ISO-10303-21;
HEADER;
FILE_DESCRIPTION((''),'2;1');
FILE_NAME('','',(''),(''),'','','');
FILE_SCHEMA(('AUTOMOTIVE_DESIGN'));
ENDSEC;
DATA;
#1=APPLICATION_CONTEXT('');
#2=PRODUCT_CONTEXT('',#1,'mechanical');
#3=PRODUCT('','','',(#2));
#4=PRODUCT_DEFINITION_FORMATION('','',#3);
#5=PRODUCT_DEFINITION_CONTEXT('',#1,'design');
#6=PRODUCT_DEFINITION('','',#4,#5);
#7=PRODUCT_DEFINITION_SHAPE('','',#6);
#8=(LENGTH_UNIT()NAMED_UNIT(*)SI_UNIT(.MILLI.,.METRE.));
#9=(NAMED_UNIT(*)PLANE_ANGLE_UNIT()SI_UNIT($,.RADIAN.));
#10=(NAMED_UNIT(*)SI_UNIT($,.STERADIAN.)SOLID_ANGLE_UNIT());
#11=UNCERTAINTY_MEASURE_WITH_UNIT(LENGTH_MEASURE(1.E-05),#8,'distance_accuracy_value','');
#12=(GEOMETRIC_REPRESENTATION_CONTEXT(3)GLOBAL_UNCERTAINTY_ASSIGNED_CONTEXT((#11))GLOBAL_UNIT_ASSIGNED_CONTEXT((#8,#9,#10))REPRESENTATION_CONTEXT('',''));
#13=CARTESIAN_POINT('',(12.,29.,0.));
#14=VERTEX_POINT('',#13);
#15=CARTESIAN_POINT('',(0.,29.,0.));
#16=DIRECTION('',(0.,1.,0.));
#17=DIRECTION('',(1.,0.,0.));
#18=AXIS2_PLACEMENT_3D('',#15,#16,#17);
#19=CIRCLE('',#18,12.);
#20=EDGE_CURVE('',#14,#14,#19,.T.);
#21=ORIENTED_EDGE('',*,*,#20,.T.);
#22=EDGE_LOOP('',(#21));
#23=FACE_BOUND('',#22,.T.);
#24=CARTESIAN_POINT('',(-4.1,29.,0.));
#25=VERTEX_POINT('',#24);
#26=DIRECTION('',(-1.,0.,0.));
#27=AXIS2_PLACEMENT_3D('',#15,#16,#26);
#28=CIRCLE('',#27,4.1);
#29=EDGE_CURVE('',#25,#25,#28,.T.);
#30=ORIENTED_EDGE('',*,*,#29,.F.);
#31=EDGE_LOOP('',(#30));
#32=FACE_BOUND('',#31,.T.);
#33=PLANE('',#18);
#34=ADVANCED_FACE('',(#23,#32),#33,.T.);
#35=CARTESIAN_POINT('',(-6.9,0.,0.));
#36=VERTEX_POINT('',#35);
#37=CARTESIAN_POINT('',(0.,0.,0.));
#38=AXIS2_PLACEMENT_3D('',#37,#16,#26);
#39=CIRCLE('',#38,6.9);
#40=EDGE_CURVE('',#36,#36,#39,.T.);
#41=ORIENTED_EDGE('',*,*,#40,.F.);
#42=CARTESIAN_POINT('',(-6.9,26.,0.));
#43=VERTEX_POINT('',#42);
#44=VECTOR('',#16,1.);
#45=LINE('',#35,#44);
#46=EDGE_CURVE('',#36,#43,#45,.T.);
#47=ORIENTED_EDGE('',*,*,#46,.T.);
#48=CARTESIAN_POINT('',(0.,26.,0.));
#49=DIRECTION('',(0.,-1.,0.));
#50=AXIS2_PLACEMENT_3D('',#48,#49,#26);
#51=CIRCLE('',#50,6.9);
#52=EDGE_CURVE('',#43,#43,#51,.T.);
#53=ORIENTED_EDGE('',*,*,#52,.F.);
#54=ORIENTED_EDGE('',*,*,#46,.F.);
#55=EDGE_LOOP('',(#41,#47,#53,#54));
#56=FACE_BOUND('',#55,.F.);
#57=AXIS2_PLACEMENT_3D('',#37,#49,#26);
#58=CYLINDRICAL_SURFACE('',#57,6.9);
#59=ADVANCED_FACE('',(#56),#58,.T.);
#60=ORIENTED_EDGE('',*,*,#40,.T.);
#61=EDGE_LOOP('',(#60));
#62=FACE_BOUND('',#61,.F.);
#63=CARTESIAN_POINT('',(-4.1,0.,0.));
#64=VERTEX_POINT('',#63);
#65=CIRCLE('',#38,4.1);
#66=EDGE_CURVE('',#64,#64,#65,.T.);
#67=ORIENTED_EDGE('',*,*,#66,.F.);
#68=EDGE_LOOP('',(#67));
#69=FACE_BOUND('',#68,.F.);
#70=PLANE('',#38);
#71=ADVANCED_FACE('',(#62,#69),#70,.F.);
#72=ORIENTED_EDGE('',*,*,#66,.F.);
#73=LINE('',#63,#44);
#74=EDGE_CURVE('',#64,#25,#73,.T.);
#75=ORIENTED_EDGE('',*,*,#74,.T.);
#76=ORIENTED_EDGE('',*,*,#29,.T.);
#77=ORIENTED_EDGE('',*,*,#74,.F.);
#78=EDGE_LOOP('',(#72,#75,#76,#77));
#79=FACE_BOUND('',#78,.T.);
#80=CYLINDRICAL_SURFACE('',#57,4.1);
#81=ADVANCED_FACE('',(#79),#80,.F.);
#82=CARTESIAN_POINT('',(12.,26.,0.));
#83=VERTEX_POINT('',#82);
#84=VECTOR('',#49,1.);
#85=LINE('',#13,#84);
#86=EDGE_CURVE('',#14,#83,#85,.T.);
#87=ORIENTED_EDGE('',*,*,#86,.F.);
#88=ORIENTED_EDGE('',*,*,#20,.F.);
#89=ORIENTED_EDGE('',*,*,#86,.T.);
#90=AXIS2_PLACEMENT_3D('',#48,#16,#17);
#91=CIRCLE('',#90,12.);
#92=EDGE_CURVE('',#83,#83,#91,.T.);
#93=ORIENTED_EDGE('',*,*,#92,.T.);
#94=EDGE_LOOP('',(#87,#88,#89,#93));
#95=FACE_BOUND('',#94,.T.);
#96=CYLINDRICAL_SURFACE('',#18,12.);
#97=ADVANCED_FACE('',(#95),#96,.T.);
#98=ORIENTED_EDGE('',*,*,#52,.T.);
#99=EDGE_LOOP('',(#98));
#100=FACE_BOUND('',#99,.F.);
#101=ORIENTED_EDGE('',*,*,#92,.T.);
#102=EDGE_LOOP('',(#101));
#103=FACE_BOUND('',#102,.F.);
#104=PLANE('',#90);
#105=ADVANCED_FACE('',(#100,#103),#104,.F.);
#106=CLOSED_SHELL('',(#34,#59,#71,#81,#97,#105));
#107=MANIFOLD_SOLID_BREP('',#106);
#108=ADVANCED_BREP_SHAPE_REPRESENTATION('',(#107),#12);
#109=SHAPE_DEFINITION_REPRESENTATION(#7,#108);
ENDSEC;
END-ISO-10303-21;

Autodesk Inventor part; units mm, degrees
ref_plane "YZ Plane" through (0, 0, 0) normal (1, 0, 0) x (0, 1, 0)
ref_plane "XZ Plane" through (0, 0, 0) normal (0, 1, 0) x (-1, 0, 0)
ref_plane "XY Plane" through (0, 0, 0) normal (0, 0, 1) x (1, 0, 0)
sketch "Sketch1" plane through (0, 0, 0) normal (0, 1, 0) x (-1, 0, 0)
  circle A0 centre (0, 0) radius 4.1
  circle A1 centre (0, 0) radius 6.9
  dimension "d0" = 8.2
  dimension "d1" = 13.8
extrude "Extrusion1" add sketch "Sketch1" along normal blind 29
sketch "Sketch2" plane through (0, 29, 0) normal (0, 1, 0) x (1, 0, 0)
  circle A0 centre (0, 0) radius 4.1 projected
  circle A1 centre (0, 0) radius 12
  dimension "d4" = 24
extrude "Extrusion2" add sketch "Sketch2" against normal blind 3
properties part number "Light Collar"
